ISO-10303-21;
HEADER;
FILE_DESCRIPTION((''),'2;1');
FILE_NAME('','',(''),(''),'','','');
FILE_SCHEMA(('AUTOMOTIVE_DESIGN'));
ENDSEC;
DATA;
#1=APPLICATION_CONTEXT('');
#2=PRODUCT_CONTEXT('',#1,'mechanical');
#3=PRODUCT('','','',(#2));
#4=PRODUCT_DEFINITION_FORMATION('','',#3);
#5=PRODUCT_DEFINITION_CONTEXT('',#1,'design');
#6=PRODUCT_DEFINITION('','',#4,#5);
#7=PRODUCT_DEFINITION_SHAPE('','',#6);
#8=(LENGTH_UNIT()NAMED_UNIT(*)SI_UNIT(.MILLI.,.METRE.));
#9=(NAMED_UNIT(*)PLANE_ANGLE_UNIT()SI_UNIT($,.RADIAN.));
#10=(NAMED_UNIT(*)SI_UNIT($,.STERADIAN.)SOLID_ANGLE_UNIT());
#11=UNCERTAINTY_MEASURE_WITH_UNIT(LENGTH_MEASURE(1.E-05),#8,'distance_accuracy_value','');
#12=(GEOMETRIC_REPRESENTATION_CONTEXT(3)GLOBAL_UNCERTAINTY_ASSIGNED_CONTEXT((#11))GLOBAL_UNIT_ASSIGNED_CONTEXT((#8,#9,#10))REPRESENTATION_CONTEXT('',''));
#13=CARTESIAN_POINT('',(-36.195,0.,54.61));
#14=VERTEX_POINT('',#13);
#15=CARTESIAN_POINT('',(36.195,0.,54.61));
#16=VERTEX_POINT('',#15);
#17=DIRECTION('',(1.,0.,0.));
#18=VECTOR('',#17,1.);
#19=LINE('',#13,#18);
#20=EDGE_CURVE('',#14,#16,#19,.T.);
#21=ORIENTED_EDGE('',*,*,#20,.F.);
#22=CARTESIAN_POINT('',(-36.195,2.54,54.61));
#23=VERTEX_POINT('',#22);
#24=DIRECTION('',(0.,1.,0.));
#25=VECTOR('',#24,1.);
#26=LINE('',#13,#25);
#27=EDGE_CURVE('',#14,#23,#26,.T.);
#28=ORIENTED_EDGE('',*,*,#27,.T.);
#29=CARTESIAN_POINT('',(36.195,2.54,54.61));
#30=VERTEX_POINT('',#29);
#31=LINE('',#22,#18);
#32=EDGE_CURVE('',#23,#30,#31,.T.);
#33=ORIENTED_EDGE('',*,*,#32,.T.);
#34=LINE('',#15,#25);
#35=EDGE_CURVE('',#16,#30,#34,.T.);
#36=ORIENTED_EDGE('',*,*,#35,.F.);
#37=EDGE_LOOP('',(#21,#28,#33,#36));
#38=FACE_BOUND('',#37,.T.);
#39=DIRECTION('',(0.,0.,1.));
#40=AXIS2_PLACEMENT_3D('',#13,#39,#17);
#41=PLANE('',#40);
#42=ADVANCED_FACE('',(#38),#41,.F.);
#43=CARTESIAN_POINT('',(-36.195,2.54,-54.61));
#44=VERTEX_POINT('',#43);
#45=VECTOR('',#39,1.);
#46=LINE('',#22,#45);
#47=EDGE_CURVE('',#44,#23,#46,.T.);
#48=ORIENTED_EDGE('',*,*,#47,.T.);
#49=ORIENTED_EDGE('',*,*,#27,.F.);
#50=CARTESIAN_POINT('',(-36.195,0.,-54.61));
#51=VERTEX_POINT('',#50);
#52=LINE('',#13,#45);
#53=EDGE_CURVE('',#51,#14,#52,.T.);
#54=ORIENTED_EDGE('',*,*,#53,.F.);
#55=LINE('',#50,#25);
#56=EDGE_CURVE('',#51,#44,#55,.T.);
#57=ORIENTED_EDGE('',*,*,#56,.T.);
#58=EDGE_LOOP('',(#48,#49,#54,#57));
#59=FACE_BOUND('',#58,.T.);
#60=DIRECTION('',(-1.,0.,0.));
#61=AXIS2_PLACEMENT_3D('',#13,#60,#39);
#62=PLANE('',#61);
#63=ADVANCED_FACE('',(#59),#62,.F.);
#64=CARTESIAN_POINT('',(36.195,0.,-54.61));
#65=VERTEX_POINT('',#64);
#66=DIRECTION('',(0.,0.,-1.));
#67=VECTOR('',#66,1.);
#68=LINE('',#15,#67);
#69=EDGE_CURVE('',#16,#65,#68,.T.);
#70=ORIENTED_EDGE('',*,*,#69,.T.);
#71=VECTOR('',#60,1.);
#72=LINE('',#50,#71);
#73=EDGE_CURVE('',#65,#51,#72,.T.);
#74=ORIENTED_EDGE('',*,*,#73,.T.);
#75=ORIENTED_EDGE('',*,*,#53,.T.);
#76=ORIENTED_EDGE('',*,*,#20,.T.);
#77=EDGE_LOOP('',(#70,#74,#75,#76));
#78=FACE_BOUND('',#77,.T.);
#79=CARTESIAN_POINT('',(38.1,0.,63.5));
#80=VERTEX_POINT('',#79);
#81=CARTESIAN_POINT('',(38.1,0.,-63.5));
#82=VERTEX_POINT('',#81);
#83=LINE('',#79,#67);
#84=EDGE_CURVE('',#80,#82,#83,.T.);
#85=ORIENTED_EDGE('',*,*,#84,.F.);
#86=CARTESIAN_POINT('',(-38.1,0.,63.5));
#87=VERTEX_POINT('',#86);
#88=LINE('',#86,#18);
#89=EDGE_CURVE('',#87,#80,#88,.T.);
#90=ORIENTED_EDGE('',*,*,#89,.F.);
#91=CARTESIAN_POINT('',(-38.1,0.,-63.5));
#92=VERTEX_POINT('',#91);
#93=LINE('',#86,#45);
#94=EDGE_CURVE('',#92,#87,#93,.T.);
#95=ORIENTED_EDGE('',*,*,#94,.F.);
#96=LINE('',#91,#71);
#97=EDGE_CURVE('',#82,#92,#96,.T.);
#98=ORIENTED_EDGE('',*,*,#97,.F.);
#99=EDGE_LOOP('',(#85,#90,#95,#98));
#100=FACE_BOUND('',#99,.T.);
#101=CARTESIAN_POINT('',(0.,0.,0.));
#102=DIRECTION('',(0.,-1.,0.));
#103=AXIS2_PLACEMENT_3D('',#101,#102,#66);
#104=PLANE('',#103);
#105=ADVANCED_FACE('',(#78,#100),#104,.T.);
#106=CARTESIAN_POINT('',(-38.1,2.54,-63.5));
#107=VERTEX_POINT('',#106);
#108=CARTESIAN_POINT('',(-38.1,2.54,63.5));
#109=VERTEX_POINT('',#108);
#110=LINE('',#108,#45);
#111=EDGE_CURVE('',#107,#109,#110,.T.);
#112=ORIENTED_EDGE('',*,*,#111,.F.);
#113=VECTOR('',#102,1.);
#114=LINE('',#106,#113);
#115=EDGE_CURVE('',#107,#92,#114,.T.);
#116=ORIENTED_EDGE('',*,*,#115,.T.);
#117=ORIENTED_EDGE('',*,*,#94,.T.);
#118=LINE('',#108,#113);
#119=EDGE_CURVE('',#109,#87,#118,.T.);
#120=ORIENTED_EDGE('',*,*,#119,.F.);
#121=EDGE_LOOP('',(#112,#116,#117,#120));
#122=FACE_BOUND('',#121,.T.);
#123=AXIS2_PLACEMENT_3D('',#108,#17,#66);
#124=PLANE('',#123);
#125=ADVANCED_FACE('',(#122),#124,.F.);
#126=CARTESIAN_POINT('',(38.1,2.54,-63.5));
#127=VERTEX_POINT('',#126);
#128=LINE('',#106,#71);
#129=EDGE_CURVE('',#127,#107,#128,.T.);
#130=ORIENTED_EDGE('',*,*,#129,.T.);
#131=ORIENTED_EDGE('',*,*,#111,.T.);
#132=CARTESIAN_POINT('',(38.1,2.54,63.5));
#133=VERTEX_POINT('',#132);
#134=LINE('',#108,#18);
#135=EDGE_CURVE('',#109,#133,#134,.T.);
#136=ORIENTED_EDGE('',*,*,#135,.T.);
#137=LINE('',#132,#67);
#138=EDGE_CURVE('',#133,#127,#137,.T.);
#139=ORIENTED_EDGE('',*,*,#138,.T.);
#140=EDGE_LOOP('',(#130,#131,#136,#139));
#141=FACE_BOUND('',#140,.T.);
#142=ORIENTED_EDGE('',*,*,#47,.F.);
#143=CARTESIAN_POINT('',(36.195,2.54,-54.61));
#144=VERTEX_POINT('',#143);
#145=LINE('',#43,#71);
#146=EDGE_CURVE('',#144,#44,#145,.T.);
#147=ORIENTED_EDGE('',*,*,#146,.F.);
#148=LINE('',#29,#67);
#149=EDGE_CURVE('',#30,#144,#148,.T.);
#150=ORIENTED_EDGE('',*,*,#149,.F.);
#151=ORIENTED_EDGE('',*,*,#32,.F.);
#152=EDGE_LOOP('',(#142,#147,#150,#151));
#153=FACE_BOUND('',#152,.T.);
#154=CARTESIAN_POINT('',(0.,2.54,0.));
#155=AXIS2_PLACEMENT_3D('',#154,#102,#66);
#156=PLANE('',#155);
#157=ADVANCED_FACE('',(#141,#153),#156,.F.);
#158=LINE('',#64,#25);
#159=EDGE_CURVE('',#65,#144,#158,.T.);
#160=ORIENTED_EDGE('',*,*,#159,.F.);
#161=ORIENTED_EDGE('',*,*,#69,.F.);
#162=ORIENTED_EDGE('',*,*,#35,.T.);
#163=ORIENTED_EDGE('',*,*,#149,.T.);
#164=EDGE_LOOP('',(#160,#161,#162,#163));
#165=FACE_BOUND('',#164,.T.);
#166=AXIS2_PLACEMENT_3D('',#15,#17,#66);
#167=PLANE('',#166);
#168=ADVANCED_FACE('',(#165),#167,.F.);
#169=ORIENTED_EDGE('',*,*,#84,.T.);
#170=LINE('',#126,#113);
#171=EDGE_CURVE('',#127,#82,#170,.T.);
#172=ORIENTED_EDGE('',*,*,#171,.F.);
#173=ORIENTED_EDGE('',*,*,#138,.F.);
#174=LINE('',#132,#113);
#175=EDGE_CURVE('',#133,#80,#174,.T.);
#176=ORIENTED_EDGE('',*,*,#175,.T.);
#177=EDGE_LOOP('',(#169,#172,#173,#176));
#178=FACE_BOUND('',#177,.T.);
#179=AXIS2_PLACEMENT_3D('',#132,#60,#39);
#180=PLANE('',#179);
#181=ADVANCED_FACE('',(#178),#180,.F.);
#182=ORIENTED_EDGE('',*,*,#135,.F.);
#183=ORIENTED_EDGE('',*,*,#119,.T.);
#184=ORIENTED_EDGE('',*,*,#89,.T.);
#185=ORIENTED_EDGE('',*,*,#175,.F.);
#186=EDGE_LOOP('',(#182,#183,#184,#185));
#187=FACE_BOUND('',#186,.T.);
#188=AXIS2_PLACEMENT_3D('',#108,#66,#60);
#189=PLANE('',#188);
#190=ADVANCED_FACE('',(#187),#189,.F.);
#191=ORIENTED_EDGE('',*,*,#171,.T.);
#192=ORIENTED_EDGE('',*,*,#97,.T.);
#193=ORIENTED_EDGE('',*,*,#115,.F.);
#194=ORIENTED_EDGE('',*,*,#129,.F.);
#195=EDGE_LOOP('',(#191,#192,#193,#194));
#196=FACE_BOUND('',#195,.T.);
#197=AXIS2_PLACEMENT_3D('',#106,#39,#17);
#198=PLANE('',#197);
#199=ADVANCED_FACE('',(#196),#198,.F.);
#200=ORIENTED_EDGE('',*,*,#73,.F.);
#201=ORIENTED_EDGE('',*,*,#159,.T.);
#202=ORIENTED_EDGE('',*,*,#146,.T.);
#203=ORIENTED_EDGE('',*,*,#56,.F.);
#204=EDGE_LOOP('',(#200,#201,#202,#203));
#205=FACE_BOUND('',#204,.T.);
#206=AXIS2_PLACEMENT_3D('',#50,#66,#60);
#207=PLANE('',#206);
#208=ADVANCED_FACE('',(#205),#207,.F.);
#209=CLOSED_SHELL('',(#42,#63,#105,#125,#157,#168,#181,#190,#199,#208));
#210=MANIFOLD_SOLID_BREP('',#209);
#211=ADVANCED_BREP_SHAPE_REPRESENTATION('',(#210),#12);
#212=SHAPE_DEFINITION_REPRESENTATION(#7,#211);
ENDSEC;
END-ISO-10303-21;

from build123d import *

# Parameters (mm, degrees)
SKETCH1_W               = 76.2
SKETCH1_H               = 127
BODY_DEPTH              = 2.54
SKETCH2_W               = 72.39
SKETCH2_H               = 109.22
CIRCUITBOARD_HOLE_DEPTH = 2.54


with BuildPart() as part:
    # Sketch1 → body (new body)
    with BuildSketch(Plane(origin=(0, 0, 0), x_dir=(1, 0, 0), z_dir=(0, 1, 0))):
        Rectangle(SKETCH1_W, SKETCH1_H)
    extrude(amount=BODY_DEPTH)

    # Sketch2 → circuitboard hole (cut)
    with BuildSketch(Plane(origin=(0, 2.54, 0), x_dir=(1, 0, 0), z_dir=(0, 1, 0))):
        Rectangle(SKETCH2_W, SKETCH2_H)
    extrude(amount=-CIRCUITBOARD_HOLE_DEPTH, mode=Mode.SUBTRACT)


solid = part.part
